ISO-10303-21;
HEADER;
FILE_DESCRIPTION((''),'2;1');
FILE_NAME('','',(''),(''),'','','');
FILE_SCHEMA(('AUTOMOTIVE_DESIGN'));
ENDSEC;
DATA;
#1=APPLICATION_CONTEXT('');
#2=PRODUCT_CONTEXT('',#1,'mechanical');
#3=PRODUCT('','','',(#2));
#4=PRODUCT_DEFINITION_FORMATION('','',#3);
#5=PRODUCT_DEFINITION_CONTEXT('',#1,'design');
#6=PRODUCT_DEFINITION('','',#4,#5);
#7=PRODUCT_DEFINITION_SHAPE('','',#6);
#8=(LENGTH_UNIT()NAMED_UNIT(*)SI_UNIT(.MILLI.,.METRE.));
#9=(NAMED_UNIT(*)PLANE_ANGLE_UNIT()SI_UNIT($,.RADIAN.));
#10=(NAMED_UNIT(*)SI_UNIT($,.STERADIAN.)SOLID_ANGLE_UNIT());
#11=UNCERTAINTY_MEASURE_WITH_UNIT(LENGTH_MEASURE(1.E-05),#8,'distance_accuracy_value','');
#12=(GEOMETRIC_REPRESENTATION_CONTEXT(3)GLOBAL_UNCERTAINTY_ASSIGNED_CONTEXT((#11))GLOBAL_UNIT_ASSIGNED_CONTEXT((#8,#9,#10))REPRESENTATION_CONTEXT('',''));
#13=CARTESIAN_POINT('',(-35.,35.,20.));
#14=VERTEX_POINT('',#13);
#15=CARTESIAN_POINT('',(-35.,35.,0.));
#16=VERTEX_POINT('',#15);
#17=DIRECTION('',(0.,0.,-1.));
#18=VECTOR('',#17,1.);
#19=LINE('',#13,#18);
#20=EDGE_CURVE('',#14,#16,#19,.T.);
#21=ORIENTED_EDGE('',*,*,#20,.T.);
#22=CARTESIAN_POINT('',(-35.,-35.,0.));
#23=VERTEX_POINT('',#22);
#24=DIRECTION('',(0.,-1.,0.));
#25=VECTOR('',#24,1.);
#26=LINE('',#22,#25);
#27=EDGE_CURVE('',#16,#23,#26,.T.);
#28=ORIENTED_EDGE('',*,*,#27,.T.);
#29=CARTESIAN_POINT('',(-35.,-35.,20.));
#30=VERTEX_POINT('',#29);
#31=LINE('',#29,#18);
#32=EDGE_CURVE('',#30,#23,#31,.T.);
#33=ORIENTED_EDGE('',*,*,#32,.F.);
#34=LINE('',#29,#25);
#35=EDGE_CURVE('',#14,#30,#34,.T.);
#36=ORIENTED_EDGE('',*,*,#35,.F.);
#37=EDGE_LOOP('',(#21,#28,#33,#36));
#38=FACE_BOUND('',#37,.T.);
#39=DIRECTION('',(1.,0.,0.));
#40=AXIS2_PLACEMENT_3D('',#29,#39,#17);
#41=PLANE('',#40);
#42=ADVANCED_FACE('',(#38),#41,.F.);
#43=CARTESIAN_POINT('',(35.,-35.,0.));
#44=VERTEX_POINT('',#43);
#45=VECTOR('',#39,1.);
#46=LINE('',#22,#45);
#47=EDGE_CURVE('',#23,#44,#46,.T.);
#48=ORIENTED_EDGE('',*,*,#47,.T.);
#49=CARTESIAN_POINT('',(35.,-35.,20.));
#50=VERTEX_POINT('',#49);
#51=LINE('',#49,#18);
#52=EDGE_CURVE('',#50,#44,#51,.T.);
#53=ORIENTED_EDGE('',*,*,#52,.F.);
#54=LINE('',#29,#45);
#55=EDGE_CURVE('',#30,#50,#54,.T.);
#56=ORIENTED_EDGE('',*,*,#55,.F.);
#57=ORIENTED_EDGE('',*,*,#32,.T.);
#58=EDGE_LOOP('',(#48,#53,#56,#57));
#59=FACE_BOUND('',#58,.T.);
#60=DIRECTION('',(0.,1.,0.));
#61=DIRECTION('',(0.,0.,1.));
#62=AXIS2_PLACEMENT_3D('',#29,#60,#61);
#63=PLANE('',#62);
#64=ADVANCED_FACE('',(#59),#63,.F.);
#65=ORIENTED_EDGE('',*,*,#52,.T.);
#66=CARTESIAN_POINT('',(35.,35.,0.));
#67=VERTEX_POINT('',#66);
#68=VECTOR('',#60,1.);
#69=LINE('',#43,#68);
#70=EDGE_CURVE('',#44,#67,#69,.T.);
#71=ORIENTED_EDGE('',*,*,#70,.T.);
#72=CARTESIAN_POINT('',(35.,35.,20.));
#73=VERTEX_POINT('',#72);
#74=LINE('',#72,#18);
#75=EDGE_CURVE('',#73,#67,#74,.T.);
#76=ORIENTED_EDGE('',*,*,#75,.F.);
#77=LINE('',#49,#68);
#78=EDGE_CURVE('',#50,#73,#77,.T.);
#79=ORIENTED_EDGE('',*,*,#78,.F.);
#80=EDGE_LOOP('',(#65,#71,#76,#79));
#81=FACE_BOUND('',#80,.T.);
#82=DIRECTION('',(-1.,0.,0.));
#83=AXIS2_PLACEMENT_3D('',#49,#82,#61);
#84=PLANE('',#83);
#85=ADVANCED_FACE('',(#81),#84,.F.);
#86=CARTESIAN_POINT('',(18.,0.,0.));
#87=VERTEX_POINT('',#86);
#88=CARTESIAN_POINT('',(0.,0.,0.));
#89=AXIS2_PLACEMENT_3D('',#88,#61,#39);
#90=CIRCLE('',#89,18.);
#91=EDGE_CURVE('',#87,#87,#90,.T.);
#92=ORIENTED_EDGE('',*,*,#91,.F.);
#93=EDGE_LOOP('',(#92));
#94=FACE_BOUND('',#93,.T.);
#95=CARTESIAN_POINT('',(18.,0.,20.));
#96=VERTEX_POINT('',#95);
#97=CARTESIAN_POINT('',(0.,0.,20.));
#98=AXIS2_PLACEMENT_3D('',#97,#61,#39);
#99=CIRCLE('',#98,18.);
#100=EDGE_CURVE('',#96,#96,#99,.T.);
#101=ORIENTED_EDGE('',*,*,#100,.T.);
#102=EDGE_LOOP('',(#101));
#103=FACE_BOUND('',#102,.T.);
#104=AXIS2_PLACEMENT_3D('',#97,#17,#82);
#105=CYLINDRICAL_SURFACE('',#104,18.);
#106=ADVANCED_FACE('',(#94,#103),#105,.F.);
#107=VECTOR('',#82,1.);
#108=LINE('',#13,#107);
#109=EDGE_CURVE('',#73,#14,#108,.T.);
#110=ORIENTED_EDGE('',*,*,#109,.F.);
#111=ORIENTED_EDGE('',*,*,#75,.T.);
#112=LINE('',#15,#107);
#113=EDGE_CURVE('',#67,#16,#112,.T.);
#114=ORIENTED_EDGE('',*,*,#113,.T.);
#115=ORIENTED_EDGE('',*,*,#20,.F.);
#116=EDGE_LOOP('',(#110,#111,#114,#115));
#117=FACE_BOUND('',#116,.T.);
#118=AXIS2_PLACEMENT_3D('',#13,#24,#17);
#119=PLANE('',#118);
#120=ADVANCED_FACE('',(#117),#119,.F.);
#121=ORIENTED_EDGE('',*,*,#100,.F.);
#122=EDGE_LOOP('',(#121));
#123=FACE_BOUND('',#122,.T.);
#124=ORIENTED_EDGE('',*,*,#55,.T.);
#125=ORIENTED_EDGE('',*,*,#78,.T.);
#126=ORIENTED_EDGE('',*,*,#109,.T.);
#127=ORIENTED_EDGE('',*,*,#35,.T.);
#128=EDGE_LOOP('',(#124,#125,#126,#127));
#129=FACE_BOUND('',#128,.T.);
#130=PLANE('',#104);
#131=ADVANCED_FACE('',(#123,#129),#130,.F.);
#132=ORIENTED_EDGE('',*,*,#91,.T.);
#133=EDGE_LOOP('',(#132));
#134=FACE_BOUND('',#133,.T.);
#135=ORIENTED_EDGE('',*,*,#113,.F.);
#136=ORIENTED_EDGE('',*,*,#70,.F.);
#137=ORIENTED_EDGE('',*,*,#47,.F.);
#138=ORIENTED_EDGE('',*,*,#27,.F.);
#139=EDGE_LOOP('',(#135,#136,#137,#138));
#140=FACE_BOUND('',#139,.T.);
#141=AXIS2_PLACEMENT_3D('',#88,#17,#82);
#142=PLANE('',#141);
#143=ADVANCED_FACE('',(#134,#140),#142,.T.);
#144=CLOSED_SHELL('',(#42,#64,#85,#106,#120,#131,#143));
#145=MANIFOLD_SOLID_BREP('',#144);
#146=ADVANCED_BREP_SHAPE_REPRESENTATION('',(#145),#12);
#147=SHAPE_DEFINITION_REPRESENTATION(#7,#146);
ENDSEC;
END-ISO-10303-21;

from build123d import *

# Parameters (mm, degrees)
ESQUISSE1_W        = 70
ESQUISSE1_H        = 70
ESQUISSE1_R        = 18
BOSS_EXTRU_1_DEPTH = 20


with BuildPart() as part:
    # Esquisse1 → Boss.-Extru.1 (new body)
    with BuildSketch(Plane.XY):
        Rectangle(ESQUISSE1_W, ESQUISSE1_H)
        Circle(ESQUISSE1_R, mode=Mode.SUBTRACT)
    extrude(amount=BOSS_EXTRU_1_DEPTH)


solid = part.part
